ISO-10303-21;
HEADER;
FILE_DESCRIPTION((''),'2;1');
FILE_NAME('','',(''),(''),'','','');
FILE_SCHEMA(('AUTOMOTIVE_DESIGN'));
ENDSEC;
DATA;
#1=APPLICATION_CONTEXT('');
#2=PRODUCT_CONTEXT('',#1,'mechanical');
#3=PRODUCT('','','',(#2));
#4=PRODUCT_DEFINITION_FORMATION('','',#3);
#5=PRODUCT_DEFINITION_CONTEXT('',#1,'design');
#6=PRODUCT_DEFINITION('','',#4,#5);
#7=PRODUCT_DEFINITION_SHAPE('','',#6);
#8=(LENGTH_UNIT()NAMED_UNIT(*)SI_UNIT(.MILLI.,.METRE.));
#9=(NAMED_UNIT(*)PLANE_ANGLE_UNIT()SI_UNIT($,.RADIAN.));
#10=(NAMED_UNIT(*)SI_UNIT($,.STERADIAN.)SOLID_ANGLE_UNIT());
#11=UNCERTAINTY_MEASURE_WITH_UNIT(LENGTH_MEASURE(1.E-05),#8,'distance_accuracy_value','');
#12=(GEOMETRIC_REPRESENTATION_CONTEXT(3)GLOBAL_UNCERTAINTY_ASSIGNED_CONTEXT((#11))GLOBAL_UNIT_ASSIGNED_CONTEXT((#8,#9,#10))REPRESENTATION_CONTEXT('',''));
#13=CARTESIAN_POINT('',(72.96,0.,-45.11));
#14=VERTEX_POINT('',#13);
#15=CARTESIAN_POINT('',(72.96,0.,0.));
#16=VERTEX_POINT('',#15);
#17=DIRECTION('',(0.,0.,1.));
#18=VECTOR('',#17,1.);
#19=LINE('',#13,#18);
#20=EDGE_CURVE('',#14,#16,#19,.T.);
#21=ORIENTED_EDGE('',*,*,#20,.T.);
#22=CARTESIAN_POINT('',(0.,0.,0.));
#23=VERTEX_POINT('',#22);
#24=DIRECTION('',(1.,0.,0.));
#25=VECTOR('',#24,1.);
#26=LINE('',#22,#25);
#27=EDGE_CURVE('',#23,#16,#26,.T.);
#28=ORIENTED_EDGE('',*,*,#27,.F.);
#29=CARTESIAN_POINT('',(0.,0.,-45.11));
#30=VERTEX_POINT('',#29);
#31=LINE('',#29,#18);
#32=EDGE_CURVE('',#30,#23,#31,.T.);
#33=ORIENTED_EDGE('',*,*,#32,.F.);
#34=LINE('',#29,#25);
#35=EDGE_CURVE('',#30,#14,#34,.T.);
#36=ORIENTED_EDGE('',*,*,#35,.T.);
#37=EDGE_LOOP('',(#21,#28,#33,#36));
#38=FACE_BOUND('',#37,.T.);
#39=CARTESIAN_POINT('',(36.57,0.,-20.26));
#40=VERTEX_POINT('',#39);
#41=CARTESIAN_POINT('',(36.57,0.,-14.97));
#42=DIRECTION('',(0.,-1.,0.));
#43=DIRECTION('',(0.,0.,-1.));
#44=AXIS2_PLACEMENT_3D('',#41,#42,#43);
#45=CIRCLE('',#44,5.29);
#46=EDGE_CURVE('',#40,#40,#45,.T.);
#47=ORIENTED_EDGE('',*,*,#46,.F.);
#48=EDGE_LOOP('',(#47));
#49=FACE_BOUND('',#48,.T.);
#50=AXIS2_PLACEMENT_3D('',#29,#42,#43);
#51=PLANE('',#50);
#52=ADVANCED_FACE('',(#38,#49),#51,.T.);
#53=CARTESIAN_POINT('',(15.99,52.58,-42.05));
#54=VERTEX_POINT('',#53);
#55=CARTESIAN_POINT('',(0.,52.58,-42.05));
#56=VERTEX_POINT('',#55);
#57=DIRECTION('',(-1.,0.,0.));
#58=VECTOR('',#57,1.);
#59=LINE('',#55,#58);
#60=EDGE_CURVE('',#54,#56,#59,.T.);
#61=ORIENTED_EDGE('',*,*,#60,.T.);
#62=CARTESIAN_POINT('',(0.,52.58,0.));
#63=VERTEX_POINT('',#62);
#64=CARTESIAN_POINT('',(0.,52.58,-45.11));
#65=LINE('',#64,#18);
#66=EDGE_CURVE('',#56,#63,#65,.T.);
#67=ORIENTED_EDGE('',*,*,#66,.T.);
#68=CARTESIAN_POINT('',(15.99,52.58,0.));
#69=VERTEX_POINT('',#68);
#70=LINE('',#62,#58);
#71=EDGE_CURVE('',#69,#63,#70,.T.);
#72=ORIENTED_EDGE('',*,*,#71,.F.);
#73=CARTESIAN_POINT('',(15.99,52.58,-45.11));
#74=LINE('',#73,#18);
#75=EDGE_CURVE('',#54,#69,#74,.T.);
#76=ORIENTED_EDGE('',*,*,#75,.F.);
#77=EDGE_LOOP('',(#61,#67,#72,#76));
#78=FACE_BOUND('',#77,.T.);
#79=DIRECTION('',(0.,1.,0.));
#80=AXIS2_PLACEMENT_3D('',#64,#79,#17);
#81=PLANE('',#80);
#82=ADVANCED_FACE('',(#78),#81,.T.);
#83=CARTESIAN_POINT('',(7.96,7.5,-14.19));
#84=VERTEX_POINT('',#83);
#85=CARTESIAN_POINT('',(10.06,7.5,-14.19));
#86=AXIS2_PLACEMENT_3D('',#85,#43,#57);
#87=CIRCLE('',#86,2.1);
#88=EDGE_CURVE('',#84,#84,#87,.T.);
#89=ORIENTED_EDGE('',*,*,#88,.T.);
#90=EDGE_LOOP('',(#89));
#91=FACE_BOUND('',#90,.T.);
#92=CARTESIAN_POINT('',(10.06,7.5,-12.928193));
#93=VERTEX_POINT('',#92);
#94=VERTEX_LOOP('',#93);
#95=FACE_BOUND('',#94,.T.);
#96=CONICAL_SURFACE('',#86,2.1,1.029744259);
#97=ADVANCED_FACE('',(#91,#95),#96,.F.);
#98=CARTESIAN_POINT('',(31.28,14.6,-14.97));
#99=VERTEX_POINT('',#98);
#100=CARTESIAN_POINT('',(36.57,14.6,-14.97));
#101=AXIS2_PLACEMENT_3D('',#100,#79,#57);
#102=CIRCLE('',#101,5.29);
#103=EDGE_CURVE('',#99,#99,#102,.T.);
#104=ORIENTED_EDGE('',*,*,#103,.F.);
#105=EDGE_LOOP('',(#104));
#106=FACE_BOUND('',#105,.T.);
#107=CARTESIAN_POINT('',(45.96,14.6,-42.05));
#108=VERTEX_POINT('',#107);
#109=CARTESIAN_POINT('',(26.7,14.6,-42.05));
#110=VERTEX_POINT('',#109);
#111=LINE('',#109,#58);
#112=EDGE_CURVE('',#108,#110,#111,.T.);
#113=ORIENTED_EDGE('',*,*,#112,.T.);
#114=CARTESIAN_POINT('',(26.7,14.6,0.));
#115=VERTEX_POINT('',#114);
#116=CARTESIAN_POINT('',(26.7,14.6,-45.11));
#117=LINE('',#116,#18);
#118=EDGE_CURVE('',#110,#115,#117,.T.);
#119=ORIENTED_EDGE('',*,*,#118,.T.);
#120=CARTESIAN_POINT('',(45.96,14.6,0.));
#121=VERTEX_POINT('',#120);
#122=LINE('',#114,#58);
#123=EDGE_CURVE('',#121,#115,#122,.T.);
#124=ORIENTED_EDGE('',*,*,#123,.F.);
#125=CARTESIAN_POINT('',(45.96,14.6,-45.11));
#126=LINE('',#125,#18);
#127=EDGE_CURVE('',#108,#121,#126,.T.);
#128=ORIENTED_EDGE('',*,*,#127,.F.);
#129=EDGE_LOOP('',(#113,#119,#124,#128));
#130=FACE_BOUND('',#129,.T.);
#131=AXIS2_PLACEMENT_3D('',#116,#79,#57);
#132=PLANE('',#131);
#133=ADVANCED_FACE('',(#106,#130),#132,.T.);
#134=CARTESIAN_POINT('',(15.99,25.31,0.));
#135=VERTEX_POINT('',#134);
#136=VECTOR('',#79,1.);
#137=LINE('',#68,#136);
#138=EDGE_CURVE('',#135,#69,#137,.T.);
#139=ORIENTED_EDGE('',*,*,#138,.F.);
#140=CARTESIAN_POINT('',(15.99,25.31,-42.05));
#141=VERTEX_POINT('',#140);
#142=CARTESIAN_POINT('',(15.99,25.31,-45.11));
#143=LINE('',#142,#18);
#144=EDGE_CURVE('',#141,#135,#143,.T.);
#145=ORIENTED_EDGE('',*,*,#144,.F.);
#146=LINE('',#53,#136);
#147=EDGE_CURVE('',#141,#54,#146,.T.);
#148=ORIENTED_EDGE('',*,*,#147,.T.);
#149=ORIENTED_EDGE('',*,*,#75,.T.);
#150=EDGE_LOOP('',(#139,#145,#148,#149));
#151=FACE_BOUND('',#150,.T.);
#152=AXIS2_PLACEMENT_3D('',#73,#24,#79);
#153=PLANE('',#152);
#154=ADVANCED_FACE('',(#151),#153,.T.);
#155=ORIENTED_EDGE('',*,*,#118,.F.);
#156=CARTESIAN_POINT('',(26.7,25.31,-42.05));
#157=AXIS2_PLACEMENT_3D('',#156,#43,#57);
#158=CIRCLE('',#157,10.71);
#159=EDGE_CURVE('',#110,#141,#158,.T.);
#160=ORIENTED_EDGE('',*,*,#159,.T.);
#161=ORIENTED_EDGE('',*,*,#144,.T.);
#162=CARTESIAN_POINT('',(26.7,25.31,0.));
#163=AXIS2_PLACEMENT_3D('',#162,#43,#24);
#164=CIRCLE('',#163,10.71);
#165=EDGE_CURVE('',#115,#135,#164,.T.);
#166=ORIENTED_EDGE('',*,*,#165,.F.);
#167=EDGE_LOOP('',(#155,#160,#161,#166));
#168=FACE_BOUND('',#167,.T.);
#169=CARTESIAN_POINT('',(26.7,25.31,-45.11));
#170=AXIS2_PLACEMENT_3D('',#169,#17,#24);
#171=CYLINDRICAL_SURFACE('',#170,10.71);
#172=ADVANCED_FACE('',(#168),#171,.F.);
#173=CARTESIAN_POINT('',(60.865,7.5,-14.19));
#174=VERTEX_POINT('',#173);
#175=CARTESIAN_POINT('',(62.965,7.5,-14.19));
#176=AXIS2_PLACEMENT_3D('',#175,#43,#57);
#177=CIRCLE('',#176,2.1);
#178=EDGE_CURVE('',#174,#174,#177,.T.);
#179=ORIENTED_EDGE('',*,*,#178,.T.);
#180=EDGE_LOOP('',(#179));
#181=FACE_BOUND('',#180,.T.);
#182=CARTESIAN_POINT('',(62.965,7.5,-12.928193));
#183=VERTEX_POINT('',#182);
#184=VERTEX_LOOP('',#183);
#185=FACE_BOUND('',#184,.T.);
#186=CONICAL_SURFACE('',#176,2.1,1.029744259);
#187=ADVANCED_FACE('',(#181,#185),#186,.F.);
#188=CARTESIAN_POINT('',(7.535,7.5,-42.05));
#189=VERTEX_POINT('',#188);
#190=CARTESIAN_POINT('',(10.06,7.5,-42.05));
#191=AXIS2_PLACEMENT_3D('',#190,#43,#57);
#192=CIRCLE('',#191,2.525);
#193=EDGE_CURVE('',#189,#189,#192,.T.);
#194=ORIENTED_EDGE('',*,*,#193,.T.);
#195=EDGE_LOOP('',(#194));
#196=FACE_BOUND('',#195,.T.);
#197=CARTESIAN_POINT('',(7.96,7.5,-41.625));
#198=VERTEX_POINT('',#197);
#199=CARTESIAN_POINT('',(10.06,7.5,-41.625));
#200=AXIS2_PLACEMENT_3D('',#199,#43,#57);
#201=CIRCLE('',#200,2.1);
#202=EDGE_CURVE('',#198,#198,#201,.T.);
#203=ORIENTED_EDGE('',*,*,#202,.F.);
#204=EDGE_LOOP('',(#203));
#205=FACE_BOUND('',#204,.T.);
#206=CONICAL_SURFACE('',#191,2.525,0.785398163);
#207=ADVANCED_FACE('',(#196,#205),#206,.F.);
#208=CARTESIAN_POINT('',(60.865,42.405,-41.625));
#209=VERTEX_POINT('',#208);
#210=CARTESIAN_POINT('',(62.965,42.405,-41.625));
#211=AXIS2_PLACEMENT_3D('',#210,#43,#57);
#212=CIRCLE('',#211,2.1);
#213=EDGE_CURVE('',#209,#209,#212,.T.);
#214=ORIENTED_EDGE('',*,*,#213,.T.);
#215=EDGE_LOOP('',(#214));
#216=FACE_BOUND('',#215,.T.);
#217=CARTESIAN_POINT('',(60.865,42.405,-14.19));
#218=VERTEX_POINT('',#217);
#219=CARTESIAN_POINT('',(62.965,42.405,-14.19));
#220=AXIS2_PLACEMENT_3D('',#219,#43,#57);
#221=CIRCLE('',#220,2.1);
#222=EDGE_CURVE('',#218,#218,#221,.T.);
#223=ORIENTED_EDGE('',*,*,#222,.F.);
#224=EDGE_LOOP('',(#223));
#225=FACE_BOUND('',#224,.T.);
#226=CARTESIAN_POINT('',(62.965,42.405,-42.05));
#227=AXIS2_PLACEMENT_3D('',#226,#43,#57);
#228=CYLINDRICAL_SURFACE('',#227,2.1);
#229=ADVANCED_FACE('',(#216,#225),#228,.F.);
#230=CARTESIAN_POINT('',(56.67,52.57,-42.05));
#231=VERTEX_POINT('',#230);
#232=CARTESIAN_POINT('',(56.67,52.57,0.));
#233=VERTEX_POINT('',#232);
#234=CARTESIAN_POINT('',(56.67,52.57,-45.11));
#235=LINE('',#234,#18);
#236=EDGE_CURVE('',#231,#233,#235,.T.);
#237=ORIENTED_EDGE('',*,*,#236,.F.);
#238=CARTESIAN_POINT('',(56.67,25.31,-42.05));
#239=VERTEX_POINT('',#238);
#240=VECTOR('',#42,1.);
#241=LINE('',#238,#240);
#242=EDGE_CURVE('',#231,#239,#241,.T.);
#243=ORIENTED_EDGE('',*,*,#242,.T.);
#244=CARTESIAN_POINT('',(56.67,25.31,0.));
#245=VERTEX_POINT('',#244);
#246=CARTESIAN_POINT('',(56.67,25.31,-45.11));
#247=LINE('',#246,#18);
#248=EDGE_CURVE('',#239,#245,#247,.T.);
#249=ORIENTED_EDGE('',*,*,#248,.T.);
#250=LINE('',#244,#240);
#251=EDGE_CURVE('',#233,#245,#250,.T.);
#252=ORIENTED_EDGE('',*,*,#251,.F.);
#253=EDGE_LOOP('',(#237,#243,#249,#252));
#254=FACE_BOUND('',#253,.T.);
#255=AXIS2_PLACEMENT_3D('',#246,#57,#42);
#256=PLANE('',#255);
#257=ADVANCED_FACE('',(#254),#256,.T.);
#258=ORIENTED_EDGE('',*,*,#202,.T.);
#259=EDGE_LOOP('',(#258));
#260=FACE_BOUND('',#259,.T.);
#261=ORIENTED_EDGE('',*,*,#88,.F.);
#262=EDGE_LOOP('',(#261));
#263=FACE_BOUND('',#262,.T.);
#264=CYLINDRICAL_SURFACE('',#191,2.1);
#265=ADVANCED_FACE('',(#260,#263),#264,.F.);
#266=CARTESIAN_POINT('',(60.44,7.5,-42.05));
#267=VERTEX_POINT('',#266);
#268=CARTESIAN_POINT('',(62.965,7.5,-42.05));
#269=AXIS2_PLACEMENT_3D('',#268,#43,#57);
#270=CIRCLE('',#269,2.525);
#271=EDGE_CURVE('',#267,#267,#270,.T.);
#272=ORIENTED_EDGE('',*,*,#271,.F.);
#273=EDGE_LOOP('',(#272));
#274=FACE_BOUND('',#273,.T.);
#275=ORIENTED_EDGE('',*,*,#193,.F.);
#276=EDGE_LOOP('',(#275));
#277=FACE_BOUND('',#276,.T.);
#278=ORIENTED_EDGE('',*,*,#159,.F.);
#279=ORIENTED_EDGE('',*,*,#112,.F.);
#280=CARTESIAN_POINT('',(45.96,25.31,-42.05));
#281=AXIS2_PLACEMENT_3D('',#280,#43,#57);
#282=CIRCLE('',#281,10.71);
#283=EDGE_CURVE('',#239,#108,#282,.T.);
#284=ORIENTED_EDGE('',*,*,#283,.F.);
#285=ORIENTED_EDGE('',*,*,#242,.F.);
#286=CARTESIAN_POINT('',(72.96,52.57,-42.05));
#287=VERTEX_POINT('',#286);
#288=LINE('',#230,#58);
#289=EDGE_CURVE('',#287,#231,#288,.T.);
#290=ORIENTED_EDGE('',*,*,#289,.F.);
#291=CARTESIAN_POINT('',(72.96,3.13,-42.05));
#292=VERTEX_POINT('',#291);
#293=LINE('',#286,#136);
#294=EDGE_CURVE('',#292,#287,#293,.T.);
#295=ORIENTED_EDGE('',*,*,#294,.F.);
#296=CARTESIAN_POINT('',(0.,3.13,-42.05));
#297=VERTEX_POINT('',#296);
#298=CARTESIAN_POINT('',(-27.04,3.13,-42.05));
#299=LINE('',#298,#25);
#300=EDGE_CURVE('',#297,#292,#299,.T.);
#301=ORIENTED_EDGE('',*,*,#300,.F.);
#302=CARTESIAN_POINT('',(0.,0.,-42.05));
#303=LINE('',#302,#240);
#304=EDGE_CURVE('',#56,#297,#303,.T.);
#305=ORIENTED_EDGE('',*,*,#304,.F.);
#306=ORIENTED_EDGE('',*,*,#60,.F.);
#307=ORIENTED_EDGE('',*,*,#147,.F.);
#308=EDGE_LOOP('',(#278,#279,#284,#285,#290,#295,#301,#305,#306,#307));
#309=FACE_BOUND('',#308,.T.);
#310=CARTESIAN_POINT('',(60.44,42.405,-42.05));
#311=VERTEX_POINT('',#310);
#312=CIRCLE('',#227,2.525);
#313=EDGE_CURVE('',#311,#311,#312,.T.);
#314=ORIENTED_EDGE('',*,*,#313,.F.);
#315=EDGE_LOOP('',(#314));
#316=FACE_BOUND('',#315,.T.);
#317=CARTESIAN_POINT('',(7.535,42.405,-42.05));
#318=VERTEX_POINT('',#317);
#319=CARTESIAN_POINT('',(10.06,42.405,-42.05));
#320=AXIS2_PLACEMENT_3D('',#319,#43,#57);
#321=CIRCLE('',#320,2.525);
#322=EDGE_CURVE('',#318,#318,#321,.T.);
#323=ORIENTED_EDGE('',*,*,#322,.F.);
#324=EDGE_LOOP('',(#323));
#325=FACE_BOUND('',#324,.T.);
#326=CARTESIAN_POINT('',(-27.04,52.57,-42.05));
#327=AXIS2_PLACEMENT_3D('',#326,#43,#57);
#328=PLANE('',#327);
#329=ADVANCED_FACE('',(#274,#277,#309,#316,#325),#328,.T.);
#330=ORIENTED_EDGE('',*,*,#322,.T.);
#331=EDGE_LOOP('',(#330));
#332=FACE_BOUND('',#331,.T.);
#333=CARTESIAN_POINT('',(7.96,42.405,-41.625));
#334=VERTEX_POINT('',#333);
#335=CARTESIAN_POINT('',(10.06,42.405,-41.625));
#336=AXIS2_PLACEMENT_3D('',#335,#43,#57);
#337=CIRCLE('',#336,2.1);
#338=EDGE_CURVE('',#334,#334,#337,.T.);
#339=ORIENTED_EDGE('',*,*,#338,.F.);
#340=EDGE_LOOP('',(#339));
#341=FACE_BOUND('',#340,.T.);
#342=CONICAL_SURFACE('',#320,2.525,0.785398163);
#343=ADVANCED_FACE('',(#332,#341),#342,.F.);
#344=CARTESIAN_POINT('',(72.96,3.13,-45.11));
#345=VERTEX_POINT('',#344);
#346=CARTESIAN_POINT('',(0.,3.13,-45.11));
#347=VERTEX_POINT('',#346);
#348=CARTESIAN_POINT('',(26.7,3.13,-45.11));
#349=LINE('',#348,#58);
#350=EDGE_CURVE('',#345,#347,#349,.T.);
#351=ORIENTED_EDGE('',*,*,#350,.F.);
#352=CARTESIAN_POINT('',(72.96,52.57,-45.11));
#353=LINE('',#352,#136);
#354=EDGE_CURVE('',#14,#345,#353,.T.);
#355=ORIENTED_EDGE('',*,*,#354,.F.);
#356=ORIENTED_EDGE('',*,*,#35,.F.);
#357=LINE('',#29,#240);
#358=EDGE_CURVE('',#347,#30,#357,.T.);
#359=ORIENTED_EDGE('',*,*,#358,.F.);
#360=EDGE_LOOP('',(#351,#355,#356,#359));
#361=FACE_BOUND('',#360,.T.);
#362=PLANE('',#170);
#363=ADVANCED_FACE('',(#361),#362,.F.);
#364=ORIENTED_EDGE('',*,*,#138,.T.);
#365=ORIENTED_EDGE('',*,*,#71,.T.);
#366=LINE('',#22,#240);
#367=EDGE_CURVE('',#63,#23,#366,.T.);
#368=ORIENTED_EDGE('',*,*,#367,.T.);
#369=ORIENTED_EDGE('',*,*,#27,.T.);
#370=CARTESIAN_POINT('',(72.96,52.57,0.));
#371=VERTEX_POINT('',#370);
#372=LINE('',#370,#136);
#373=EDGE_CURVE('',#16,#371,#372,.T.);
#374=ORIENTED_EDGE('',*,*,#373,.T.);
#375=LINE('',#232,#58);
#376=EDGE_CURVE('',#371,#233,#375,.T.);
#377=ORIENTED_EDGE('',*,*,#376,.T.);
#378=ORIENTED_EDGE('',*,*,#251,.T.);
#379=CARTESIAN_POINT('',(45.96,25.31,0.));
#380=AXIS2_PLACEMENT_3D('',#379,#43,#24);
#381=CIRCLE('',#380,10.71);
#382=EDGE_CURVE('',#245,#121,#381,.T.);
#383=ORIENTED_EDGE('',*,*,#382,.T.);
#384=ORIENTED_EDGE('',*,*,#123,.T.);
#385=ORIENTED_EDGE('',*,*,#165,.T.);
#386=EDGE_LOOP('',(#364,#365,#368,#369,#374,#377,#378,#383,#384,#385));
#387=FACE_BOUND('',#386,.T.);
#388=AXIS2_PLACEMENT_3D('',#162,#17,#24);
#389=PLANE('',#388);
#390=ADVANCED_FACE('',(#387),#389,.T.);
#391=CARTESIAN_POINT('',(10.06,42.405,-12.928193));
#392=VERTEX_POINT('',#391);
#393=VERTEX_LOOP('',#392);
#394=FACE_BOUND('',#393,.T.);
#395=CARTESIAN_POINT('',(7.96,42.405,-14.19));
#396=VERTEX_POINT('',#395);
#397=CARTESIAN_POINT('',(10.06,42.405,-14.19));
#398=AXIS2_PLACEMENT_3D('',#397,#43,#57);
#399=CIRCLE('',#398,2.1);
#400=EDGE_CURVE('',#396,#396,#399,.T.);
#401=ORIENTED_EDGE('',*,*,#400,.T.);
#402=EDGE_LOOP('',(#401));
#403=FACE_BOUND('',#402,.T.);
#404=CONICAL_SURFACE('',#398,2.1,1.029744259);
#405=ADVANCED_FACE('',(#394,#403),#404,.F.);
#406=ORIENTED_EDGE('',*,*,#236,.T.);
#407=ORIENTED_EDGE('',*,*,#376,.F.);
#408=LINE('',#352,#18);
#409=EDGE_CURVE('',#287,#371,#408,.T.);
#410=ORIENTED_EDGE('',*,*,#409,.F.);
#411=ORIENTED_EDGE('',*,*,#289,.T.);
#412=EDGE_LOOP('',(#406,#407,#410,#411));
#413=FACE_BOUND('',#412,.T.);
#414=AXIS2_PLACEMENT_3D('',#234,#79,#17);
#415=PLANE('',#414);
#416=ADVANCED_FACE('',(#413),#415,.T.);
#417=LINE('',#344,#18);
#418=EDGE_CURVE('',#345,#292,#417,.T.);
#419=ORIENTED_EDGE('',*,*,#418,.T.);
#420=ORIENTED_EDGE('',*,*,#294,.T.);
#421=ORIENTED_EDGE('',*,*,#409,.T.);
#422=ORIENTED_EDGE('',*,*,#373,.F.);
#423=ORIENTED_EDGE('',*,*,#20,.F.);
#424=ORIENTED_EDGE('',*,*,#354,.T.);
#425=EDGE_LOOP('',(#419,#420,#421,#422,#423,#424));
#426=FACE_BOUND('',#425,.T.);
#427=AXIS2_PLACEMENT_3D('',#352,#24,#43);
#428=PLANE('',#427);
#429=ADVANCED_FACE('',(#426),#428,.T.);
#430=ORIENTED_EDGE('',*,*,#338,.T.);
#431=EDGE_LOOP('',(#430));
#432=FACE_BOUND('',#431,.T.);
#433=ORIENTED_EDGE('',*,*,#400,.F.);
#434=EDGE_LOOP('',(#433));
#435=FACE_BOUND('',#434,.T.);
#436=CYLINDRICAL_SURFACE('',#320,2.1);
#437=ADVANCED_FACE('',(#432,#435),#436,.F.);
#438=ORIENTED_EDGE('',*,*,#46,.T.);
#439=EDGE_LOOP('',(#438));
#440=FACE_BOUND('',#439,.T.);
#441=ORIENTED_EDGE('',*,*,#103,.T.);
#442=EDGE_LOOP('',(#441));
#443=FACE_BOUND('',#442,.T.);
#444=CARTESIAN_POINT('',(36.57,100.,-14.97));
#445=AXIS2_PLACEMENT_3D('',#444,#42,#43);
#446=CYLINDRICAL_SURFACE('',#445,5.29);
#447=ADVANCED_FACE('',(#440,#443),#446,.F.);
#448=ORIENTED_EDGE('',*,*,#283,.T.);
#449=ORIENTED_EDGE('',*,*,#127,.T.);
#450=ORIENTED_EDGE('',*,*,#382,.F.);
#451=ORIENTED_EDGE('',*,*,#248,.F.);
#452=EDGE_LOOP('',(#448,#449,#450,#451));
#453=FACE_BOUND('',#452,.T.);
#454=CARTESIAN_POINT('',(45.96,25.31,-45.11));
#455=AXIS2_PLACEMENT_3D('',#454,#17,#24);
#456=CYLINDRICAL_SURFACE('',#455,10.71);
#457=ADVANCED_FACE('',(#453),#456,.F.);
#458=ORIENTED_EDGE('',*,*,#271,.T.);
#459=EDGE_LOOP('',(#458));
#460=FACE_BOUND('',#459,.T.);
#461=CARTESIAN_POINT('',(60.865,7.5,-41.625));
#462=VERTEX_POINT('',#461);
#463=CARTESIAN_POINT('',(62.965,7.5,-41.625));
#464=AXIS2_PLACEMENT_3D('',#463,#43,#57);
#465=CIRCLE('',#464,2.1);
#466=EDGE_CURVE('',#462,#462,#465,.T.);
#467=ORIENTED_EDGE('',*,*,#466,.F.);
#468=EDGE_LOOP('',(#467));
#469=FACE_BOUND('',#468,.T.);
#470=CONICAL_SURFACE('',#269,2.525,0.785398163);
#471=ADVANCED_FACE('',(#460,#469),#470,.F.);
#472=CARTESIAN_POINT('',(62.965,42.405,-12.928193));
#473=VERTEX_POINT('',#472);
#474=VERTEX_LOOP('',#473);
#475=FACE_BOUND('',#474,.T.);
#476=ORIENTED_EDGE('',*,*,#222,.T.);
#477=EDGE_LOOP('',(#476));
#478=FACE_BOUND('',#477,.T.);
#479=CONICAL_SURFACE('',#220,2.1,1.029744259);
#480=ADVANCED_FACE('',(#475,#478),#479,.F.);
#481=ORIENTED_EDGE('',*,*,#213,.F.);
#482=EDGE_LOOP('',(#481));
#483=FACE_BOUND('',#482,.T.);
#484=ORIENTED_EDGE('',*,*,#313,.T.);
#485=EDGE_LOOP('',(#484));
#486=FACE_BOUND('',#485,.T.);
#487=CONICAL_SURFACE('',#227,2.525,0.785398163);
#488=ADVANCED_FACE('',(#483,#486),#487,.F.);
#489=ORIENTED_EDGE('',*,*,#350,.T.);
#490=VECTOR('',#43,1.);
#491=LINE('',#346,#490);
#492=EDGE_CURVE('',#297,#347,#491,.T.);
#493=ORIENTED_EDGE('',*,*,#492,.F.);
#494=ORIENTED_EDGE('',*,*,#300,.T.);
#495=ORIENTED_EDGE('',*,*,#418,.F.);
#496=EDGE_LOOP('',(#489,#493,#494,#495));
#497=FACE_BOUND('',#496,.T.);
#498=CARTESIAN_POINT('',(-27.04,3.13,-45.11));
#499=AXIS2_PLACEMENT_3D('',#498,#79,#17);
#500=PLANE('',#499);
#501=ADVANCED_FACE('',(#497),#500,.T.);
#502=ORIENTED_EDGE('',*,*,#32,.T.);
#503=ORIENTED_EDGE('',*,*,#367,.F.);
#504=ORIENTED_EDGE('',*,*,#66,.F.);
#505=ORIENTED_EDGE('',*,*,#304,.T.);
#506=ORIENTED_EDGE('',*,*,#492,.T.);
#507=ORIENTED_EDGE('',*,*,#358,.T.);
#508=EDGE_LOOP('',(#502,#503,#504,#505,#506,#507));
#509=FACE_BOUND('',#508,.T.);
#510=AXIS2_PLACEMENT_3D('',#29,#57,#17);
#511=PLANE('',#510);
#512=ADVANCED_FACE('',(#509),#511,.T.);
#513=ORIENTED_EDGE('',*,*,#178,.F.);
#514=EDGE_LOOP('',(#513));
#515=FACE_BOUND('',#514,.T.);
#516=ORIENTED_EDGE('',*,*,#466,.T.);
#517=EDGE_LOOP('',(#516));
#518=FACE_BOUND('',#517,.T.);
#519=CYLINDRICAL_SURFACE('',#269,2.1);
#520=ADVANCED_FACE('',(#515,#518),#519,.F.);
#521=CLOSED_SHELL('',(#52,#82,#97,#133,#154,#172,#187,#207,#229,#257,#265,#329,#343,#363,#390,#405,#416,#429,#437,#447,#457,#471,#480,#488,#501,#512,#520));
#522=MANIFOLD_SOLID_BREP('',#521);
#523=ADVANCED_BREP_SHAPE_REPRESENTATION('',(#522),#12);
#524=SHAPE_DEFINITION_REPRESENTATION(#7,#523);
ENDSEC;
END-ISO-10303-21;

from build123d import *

# Parameters (mm, degrees)
BOSS_EXTRUDE1_DEPTH             = 45.11
CUT_EXTRUDE2_DEPTH              = 100
SKETCH3_R                       = 5.29
CUT_EXTRUDE3_DEPTH              = 100
M5X0_8_TAPPED_HOLE1_D           = 4.2
M5X0_8_TAPPED_HOLE1_DEPTH       = 27.86
M5X0_8_TAPPED_HOLE1_CSINK_D     = 5.05
M5X0_8_TAPPED_HOLE1_CSINK_ANGLE = 90
M5X0_8_TAPPED_HOLE1_TIP         = 1.2618073


with BuildPart() as part:
    # Sketch1 → Boss-Extrude1 (new body)
    with BuildSketch(Plane.XY):
        with BuildLine():
            Line((0, 0), (72.96, 0))
            Line((72.96, 0), (72.96, 52.57))
            Line((72.96, 52.57), (56.67, 52.57))
            Line((56.67, 52.57), (56.67, 25.31))
            ThreePointArc((56.67, 25.31), (53.533113627, 17.736886373), (45.96, 14.6))
            Line((45.96, 14.6), (26.7, 14.6))
            ThreePointArc((26.7, 14.6), (19.126886373, 17.736886373), (15.99, 25.31))
            Line((15.99, 25.31), (15.99, 52.58))
            Line((15.99, 52.58), (0, 52.58))
            Line((0, 52.58), (0, 0))
        make_face()
    extrude(amount=-BOSS_EXTRUDE1_DEPTH)

    # Sketch2 → Cut-Extrude2 (cut)
    with BuildSketch(Plane(origin=(72.96, 0, 0), x_dir=(0, 0, -1), z_dir=(1, 0, 0))):
        Polygon((45.11, 52.57), (45.11, 3.13), (42.05, 3.13), (42.05, 52.57), (42.05, 55.677110027), (45.11, 55.677110027), align=None)
    extrude(amount=-CUT_EXTRUDE2_DEPTH, mode=Mode.SUBTRACT)

    # Sketch3 → Cut-Extrude3 (cut)
    with BuildSketch(Plane.XZ):
        with Locations(Location((36.57, -14.97, 0), (0, 0, 270))):
            Circle(SKETCH3_R)
    extrude(amount=-CUT_EXTRUDE3_DEPTH, mode=Mode.SUBTRACT)

    # M5x0.8 Tapped Hole1
    with Locations(Plane(origin=(0, 0, -42.05), x_dir=(-1, 0, 0), z_dir=(0, 0, -1))):
        with Locations((-62.965, 42.405), (-62.965, 7.5), (-10.06, 7.5), (-10.06, 42.405)):
            CounterSinkHole(M5X0_8_TAPPED_HOLE1_D / 2, M5X0_8_TAPPED_HOLE1_CSINK_D / 2, depth=M5X0_8_TAPPED_HOLE1_DEPTH, counter_sink_angle=M5X0_8_TAPPED_HOLE1_CSINK_ANGLE)
            with Locations((0, 0, -(M5X0_8_TAPPED_HOLE1_DEPTH + M5X0_8_TAPPED_HOLE1_TIP / 2))):  # 118° drill point
                Cone(0, M5X0_8_TAPPED_HOLE1_D / 2, M5X0_8_TAPPED_HOLE1_TIP, mode=Mode.SUBTRACT)


solid = part.part
